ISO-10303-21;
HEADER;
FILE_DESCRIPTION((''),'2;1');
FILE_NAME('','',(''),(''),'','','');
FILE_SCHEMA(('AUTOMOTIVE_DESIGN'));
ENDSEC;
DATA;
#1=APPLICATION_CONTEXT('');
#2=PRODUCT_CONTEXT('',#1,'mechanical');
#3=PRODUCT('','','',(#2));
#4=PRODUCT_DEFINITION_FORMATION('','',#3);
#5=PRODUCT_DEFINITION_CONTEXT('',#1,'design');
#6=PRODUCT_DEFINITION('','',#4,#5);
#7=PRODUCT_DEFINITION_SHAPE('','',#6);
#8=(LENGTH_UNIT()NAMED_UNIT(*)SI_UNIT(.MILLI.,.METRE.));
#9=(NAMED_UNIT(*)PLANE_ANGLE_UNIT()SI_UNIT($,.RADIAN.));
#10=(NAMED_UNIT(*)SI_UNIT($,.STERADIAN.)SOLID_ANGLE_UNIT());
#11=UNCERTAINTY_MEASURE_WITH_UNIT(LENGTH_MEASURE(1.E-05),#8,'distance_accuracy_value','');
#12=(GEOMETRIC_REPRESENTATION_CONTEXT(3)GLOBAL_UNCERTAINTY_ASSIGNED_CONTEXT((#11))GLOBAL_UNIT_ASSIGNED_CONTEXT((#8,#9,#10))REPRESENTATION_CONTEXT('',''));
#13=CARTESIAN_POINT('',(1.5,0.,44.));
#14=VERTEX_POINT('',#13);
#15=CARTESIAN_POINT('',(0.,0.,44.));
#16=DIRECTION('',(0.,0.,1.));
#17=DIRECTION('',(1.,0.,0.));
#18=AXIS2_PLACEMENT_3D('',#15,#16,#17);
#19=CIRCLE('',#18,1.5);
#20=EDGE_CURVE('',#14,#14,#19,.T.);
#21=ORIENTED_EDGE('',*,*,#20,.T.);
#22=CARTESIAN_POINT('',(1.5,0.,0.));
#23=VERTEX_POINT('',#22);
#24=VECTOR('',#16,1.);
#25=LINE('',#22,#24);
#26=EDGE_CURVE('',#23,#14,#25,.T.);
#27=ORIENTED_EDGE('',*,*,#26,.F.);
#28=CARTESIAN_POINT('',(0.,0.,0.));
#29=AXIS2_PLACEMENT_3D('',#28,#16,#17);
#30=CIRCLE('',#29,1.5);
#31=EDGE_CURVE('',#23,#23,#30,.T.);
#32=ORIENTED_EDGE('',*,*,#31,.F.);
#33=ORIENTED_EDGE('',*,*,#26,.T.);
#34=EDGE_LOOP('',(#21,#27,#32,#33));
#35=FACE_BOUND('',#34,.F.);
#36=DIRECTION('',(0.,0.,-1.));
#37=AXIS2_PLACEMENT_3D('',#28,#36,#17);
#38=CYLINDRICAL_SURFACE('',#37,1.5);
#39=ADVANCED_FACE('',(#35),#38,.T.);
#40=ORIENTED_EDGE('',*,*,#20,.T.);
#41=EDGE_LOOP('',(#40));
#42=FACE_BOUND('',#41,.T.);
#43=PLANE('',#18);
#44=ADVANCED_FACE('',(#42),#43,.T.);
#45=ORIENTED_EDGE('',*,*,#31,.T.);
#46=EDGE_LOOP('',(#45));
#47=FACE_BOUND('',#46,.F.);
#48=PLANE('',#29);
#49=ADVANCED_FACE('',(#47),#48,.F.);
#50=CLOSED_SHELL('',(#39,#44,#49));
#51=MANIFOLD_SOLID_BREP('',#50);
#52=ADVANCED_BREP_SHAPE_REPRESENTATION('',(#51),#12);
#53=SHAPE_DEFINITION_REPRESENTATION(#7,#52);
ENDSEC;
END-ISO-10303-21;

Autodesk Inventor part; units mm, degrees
ref_plane "YZ Plane" through (0, 0, 0) normal (1, 0, 0) x (0, 1, 0)
ref_plane "XZ Plane" through (0, 0, 0) normal (0, 1, 0) x (-1, 0, 0)
ref_plane "XY Plane" through (0, 0, 0) normal (0, 0, 1) x (1, 0, 0)
sketch "Sketch1" plane through (0, 0, 0) normal (0, 0, 1) x (1, 0, 0)
  circle A0 centre (0, 0) radius 1.5
  dimension "d0" = 3
extrude "Extrusion1" add sketch "Sketch1" along normal blind 44
properties part number "inner_rods_44mm"
